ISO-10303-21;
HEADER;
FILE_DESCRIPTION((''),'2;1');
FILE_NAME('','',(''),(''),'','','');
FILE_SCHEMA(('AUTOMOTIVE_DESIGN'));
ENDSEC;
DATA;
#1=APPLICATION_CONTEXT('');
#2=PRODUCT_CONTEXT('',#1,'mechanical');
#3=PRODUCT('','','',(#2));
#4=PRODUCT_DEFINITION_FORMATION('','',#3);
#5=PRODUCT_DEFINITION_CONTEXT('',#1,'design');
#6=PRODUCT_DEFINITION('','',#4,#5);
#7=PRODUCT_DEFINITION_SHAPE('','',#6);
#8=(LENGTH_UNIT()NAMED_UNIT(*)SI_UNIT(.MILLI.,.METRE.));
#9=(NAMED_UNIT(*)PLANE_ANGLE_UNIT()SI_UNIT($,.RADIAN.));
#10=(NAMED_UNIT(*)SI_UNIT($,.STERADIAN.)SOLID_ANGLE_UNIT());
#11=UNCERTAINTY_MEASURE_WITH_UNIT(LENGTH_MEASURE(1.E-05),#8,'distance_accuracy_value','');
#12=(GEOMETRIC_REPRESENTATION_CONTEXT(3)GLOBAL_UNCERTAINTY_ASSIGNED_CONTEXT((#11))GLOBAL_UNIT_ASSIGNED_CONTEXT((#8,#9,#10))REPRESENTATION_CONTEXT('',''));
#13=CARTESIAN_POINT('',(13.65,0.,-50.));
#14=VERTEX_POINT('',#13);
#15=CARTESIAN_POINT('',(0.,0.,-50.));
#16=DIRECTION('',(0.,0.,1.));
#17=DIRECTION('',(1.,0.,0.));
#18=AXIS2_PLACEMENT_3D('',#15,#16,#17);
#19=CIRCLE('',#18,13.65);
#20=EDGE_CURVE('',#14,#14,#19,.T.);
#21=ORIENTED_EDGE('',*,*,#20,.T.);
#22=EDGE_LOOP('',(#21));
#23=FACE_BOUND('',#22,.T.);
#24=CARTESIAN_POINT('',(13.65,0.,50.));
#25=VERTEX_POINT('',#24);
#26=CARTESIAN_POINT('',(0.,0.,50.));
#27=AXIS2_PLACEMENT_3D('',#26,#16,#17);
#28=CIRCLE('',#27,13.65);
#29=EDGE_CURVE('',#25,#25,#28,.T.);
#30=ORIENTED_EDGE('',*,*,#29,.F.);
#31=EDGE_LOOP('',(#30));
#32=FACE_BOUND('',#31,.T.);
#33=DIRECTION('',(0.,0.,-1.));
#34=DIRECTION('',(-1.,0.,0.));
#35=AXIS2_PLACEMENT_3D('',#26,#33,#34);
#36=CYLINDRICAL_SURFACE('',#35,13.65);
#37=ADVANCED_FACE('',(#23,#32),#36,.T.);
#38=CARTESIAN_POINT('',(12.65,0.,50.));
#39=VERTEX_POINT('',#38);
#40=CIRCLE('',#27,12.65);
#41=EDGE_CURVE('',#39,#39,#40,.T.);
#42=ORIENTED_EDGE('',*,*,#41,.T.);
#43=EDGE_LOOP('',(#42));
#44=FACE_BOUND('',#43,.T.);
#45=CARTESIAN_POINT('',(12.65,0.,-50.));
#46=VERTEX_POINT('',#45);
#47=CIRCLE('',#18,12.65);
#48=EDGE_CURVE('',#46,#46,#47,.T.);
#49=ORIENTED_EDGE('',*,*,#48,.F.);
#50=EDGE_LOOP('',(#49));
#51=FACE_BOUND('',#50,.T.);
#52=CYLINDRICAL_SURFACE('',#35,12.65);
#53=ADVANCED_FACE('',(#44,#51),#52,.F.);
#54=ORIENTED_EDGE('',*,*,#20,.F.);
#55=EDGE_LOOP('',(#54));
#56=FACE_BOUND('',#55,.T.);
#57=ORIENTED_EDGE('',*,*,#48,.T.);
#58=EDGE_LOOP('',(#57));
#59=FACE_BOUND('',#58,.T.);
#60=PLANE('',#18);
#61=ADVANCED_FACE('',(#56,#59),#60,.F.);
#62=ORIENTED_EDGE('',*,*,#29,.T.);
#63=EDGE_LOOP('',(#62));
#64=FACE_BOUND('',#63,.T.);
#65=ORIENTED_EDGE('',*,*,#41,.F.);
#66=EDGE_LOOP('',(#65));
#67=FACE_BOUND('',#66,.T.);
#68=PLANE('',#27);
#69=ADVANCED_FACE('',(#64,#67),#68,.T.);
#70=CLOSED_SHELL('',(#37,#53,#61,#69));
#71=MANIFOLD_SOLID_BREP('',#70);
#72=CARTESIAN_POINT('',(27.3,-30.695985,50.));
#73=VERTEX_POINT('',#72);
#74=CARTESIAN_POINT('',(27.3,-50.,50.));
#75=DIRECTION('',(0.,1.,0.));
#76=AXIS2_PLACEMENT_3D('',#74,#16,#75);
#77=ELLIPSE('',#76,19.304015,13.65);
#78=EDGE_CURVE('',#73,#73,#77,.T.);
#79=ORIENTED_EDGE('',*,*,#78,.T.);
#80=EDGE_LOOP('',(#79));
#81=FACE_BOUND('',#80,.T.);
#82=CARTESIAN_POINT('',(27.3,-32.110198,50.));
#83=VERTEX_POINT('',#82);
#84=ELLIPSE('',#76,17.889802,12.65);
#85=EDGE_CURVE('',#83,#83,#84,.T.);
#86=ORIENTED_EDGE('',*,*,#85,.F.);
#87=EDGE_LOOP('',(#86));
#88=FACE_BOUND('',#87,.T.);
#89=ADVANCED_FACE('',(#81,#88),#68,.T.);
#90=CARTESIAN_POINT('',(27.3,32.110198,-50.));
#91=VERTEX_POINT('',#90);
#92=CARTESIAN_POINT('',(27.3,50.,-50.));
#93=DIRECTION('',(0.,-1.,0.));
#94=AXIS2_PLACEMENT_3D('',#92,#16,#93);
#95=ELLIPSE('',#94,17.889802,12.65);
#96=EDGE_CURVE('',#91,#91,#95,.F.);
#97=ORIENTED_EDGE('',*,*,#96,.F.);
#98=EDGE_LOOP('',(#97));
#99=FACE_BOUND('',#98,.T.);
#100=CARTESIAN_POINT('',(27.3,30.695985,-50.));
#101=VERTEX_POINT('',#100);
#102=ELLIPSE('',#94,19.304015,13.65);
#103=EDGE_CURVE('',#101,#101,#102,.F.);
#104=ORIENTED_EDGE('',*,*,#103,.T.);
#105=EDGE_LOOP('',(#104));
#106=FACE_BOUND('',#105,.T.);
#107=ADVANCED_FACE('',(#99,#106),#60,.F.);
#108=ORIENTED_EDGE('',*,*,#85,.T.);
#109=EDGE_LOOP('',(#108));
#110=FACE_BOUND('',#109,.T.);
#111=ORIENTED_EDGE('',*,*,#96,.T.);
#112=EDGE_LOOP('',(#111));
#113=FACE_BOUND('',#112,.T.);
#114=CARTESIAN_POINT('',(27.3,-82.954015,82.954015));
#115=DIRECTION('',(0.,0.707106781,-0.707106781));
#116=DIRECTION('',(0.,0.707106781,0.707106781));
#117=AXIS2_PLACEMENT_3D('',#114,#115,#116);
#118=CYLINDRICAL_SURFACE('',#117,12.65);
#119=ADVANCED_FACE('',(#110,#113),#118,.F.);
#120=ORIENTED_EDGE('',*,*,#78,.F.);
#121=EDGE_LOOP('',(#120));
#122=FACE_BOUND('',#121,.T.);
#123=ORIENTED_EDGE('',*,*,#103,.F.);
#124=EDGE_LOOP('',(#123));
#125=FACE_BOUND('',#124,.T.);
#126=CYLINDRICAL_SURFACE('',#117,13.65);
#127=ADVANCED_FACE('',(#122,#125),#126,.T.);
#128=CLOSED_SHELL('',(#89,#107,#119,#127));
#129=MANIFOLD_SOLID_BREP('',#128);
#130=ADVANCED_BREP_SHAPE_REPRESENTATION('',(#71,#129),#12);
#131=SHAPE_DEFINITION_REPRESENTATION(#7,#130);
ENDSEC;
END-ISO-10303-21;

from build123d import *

# Parameters (mm, degrees)
ESQUISSE1_R                    = 13.65
ESQUISSE1_R_2                  = 12.65
BOSS_EXTRU_1_DEPTH             = 50
BOSS_EXTRU_6_REACH             = 85.361
ESQUISSE15_R                   = 13.65
ESQUISSE15_R_2                 = 12.65
BOSS_EXTRU_6_DIRECTION_2_REACH = 85.361


with BuildPart() as part:
    # Esquisse1 → Boss.-Extru.1 (new, symmetric)
    with BuildSketch(Plane.XY):
        Circle(ESQUISSE1_R)
        Circle(ESQUISSE1_R_2, mode=Mode.SUBTRACT)
    extrude(amount=BOSS_EXTRU_1_DEPTH, both=True)


with BuildPart() as body_2:
    # Boss.-Extru.6: up to this plane
    boss_extru_6_end = Plane(origin=(0, 0, 50), z_dir=(0, 0, 1))
    # Esquisse15 → Boss.-Extru.6 (new, up to the surface)
    with BuildSketch(Plane(origin=(0, 0, 0), x_dir=(1, 0, 0), z_dir=(0, -0.7071067811865488, 0.7071067811865464)), mode=Mode.PRIVATE) as boss_extru_6_sk1:
        with Locations(Location((27.3, 0, 0), (0, 0, 90))):
            Circle(ESQUISSE15_R)
        with Locations(Location((27.3, 0, 0), (0, 0, 90))):
            Circle(ESQUISSE15_R_2, mode=Mode.SUBTRACT)
    boss_extru_6_tool1 = split(extrude(boss_extru_6_sk1.sketch, amount=BOSS_EXTRU_6_REACH, mode=Mode.PRIVATE), bisect_by=boss_extru_6_end, keep=Keep.BOTH, mode=Mode.PRIVATE)
    add(boss_extru_6_tool1.solids().sort_by_distance((27.3, -9.379008, -9.379008))[0])

    # Boss.-Extru.6 direction 2: up to this plane
    boss_extru_6_direction_2_end = Plane(origin=(0, 0, -50), z_dir=(0, 0, 1))
    # Esquisse15 → Boss.-Extru.6 direction 2 (add, up to the surface)
    with BuildSketch(Plane(origin=(0, 0, 0), x_dir=(1, 0, 0), z_dir=(0, -0.7071067811865488, 0.7071067811865464)), mode=Mode.PRIVATE) as boss_extru_6_direction_2_sk1:
        with Locations(Location((27.3, 0, 0), (0, 0, 90))):
            Circle(ESQUISSE15_R)
        with Locations(Location((27.3, 0, 0), (0, 0, 90))):
            Circle(ESQUISSE15_R_2, mode=Mode.SUBTRACT)
    boss_extru_6_direction_2_tool1 = split(extrude(boss_extru_6_direction_2_sk1.sketch, amount=-BOSS_EXTRU_6_DIRECTION_2_REACH, mode=Mode.PRIVATE), bisect_by=boss_extru_6_direction_2_end, keep=Keep.BOTH, mode=Mode.PRIVATE)
    add(boss_extru_6_direction_2_tool1.solids().sort_by_distance((27.3, -9.379008, -9.379008))[0])


solid = Compound([part.part, body_2.part])
